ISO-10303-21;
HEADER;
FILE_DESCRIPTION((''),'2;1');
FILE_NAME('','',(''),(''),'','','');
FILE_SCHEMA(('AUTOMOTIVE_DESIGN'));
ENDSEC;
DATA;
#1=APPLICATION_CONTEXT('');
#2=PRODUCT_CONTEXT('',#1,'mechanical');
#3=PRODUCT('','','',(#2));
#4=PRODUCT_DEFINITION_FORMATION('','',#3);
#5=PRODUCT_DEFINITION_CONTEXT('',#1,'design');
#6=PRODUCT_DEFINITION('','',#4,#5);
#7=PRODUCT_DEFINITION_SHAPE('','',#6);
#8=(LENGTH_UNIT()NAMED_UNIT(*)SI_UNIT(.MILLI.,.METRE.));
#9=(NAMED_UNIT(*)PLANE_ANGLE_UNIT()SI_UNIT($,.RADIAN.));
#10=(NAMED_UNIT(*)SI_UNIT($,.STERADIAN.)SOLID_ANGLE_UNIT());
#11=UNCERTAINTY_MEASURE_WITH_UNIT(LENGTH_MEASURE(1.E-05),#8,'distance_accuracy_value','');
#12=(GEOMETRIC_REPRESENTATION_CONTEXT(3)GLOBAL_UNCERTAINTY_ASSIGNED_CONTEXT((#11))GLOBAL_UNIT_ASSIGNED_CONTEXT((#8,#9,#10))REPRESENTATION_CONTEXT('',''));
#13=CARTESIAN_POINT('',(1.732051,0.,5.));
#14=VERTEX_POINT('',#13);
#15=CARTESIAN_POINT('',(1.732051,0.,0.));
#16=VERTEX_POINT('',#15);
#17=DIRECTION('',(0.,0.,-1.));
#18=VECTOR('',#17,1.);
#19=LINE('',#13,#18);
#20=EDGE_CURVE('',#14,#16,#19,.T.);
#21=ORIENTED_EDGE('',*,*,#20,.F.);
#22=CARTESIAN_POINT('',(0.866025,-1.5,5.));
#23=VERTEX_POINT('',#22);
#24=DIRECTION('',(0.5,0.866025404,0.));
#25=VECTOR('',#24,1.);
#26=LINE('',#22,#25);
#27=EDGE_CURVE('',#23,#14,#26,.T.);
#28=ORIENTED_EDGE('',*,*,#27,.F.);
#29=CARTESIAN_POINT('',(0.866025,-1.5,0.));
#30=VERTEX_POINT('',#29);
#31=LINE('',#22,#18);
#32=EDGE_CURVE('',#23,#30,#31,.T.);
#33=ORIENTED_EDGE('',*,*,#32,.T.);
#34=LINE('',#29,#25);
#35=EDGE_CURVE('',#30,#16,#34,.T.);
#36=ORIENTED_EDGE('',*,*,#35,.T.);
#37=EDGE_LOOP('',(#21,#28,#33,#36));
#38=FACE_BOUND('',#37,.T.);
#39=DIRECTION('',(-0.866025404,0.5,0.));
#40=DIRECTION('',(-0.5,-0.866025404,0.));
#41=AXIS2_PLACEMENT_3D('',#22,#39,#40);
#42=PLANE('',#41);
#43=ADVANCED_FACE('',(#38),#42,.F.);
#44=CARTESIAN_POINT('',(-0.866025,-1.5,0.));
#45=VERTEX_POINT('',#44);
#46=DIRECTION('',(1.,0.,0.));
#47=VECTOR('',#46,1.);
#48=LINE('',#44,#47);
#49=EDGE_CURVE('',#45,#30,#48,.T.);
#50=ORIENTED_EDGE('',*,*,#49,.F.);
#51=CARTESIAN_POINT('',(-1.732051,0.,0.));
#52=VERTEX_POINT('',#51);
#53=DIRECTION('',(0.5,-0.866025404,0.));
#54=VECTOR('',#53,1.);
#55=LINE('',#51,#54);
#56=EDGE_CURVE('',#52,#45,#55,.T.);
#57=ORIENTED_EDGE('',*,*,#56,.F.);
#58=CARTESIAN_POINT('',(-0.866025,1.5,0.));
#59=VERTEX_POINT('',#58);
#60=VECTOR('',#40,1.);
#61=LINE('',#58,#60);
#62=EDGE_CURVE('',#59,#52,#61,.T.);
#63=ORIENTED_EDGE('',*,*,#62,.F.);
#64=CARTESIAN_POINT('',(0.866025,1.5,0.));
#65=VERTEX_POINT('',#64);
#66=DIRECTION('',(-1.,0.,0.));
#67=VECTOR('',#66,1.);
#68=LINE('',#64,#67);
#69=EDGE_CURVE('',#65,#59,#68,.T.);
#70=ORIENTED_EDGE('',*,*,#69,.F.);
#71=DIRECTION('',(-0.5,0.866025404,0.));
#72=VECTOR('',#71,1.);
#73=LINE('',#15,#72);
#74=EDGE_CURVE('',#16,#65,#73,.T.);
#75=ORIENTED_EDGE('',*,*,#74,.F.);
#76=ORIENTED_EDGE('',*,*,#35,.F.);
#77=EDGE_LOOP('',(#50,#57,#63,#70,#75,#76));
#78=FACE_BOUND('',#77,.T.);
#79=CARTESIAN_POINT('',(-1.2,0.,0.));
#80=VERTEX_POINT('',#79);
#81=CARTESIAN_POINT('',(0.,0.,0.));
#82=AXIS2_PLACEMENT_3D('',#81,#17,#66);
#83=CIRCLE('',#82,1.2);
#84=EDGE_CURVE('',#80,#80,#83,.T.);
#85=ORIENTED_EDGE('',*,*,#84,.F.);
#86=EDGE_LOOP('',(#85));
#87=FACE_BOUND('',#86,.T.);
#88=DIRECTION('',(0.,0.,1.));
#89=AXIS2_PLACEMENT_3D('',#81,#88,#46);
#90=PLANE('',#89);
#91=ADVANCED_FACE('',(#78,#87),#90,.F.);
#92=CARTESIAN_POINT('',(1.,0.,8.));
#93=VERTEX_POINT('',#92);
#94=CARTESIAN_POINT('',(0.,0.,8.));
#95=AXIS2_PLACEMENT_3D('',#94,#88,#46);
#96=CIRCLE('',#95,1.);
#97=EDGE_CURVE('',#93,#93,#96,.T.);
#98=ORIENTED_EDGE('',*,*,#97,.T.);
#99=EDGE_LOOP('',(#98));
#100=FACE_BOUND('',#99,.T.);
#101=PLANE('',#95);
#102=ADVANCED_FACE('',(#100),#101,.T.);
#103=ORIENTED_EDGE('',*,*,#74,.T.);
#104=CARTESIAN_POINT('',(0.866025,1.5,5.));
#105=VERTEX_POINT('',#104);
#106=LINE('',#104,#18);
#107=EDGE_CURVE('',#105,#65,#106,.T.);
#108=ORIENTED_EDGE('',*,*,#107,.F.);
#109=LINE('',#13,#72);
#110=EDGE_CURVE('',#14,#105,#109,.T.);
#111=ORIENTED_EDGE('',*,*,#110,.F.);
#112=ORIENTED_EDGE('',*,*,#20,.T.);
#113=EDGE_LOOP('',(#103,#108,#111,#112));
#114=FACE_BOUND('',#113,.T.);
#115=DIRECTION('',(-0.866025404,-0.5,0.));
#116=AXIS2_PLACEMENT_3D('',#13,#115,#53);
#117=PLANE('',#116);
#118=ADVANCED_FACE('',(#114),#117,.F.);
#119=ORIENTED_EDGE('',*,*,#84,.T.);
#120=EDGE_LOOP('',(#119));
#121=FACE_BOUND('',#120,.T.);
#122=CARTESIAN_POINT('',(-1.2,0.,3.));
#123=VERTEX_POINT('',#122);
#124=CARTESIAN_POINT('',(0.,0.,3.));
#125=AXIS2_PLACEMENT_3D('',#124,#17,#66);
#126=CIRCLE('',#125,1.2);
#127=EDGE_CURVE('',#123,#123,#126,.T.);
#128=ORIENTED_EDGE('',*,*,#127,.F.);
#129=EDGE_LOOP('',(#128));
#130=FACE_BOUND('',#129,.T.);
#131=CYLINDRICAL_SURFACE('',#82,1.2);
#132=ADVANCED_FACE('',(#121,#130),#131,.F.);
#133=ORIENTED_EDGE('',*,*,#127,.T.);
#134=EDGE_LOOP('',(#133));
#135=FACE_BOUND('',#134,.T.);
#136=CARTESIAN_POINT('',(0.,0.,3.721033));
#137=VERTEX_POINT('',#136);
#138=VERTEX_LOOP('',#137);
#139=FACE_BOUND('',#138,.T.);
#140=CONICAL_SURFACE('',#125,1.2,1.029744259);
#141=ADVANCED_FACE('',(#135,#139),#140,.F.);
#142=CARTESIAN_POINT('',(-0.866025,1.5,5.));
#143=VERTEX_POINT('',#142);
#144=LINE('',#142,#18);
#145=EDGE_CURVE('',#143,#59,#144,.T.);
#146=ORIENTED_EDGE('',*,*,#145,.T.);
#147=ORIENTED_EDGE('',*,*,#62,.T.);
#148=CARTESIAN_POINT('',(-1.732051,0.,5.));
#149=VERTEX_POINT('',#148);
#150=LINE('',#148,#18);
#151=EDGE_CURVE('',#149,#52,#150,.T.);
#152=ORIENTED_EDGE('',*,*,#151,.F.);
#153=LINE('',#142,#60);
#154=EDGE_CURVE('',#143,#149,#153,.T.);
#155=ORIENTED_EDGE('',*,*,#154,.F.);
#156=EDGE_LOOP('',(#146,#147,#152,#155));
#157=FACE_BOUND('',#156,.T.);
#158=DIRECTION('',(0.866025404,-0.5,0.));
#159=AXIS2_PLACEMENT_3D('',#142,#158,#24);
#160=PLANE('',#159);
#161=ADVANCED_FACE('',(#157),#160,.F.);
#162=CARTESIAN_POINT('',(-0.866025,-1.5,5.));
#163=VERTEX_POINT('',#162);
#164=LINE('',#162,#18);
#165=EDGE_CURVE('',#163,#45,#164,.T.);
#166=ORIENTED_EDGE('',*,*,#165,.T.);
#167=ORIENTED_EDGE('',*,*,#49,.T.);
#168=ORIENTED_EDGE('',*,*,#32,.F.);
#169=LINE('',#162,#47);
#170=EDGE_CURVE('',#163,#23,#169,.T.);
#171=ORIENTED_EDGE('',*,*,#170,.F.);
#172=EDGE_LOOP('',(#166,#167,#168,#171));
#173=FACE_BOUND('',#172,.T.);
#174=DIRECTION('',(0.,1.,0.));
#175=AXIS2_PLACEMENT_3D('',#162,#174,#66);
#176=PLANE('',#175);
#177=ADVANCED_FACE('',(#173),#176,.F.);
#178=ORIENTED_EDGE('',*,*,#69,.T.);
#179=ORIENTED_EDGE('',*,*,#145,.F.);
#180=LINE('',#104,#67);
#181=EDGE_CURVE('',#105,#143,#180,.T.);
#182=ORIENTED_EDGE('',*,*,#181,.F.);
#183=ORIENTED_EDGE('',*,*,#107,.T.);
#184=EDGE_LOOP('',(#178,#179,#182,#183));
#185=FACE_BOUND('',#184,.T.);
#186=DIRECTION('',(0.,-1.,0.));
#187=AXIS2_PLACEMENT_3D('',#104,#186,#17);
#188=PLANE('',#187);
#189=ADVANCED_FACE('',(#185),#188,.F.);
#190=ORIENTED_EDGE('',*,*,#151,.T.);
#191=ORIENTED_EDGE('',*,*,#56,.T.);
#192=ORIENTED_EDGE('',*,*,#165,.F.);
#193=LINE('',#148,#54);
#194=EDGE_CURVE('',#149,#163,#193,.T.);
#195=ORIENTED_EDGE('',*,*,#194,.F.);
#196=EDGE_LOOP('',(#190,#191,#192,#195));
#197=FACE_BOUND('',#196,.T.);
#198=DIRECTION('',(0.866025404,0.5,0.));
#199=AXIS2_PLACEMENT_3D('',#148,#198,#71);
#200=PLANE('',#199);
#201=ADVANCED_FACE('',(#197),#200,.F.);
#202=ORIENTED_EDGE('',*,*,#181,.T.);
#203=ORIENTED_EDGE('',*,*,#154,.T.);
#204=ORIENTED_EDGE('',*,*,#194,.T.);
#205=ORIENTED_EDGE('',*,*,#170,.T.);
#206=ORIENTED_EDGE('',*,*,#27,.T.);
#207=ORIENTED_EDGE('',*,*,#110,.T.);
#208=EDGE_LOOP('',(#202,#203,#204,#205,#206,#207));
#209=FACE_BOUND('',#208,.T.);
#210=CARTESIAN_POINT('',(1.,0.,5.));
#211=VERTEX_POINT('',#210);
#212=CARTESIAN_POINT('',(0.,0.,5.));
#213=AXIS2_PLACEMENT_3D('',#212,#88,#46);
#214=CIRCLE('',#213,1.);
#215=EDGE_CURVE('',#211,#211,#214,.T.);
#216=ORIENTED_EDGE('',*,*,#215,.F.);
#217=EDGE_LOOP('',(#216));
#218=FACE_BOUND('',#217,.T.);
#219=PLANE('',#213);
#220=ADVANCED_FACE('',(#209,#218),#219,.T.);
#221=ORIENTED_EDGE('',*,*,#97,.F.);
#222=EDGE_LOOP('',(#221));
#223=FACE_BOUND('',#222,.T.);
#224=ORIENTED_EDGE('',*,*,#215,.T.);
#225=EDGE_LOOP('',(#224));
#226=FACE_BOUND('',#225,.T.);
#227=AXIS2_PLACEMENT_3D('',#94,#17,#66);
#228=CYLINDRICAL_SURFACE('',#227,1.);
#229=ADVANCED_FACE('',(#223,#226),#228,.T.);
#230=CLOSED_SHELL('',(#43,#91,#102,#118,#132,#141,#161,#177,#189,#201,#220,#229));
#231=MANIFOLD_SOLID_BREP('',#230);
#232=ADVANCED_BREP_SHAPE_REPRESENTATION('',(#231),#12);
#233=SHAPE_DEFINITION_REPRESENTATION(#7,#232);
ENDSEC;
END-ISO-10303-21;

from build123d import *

# Parameters (mm, degrees)
EXTRUDE_1_DEPTH        = 5
SKETCH_2_R             = 1
EXTRUDE_2_DEPTH        = 3
HOLE_WIZARD_M2_1_D     = 2.4
HOLE_WIZARD_M2_1_DEPTH = 3
HOLE_WIZARD_M2_1_TIP   = 0.721032743


with BuildPart() as part:
    # 스케치1 → 보스-돌출1 (new body)
    with BuildSketch(Plane.XY):
        Polygon((0.866025404, -1.5), (1.732050808, 0), (0.866025404, 1.5), (-0.866025404, 1.5), (-1.732050808, 0), (-0.866025404, -1.5), align=None)
    extrude(amount=EXTRUDE_1_DEPTH)

    # 스케치2 → 보스-돌출2 (add)
    with BuildSketch(Plane.XY.offset(5)):
        Circle(SKETCH_2_R)
    extrude(amount=EXTRUDE_2_DEPTH)

    # M2 여유 구멍1
    with Locations(Plane(origin=(0, 0, 0), x_dir=(-1, 0, 0), z_dir=(0, 0, -1))):
        with Locations((0, 0)):
            Hole(HOLE_WIZARD_M2_1_D / 2, depth=HOLE_WIZARD_M2_1_DEPTH)
            with Locations((0, 0, -(HOLE_WIZARD_M2_1_DEPTH + HOLE_WIZARD_M2_1_TIP / 2))):  # 118° drill point
                Cone(0, HOLE_WIZARD_M2_1_D / 2, HOLE_WIZARD_M2_1_TIP, mode=Mode.SUBTRACT)


solid = part.part
